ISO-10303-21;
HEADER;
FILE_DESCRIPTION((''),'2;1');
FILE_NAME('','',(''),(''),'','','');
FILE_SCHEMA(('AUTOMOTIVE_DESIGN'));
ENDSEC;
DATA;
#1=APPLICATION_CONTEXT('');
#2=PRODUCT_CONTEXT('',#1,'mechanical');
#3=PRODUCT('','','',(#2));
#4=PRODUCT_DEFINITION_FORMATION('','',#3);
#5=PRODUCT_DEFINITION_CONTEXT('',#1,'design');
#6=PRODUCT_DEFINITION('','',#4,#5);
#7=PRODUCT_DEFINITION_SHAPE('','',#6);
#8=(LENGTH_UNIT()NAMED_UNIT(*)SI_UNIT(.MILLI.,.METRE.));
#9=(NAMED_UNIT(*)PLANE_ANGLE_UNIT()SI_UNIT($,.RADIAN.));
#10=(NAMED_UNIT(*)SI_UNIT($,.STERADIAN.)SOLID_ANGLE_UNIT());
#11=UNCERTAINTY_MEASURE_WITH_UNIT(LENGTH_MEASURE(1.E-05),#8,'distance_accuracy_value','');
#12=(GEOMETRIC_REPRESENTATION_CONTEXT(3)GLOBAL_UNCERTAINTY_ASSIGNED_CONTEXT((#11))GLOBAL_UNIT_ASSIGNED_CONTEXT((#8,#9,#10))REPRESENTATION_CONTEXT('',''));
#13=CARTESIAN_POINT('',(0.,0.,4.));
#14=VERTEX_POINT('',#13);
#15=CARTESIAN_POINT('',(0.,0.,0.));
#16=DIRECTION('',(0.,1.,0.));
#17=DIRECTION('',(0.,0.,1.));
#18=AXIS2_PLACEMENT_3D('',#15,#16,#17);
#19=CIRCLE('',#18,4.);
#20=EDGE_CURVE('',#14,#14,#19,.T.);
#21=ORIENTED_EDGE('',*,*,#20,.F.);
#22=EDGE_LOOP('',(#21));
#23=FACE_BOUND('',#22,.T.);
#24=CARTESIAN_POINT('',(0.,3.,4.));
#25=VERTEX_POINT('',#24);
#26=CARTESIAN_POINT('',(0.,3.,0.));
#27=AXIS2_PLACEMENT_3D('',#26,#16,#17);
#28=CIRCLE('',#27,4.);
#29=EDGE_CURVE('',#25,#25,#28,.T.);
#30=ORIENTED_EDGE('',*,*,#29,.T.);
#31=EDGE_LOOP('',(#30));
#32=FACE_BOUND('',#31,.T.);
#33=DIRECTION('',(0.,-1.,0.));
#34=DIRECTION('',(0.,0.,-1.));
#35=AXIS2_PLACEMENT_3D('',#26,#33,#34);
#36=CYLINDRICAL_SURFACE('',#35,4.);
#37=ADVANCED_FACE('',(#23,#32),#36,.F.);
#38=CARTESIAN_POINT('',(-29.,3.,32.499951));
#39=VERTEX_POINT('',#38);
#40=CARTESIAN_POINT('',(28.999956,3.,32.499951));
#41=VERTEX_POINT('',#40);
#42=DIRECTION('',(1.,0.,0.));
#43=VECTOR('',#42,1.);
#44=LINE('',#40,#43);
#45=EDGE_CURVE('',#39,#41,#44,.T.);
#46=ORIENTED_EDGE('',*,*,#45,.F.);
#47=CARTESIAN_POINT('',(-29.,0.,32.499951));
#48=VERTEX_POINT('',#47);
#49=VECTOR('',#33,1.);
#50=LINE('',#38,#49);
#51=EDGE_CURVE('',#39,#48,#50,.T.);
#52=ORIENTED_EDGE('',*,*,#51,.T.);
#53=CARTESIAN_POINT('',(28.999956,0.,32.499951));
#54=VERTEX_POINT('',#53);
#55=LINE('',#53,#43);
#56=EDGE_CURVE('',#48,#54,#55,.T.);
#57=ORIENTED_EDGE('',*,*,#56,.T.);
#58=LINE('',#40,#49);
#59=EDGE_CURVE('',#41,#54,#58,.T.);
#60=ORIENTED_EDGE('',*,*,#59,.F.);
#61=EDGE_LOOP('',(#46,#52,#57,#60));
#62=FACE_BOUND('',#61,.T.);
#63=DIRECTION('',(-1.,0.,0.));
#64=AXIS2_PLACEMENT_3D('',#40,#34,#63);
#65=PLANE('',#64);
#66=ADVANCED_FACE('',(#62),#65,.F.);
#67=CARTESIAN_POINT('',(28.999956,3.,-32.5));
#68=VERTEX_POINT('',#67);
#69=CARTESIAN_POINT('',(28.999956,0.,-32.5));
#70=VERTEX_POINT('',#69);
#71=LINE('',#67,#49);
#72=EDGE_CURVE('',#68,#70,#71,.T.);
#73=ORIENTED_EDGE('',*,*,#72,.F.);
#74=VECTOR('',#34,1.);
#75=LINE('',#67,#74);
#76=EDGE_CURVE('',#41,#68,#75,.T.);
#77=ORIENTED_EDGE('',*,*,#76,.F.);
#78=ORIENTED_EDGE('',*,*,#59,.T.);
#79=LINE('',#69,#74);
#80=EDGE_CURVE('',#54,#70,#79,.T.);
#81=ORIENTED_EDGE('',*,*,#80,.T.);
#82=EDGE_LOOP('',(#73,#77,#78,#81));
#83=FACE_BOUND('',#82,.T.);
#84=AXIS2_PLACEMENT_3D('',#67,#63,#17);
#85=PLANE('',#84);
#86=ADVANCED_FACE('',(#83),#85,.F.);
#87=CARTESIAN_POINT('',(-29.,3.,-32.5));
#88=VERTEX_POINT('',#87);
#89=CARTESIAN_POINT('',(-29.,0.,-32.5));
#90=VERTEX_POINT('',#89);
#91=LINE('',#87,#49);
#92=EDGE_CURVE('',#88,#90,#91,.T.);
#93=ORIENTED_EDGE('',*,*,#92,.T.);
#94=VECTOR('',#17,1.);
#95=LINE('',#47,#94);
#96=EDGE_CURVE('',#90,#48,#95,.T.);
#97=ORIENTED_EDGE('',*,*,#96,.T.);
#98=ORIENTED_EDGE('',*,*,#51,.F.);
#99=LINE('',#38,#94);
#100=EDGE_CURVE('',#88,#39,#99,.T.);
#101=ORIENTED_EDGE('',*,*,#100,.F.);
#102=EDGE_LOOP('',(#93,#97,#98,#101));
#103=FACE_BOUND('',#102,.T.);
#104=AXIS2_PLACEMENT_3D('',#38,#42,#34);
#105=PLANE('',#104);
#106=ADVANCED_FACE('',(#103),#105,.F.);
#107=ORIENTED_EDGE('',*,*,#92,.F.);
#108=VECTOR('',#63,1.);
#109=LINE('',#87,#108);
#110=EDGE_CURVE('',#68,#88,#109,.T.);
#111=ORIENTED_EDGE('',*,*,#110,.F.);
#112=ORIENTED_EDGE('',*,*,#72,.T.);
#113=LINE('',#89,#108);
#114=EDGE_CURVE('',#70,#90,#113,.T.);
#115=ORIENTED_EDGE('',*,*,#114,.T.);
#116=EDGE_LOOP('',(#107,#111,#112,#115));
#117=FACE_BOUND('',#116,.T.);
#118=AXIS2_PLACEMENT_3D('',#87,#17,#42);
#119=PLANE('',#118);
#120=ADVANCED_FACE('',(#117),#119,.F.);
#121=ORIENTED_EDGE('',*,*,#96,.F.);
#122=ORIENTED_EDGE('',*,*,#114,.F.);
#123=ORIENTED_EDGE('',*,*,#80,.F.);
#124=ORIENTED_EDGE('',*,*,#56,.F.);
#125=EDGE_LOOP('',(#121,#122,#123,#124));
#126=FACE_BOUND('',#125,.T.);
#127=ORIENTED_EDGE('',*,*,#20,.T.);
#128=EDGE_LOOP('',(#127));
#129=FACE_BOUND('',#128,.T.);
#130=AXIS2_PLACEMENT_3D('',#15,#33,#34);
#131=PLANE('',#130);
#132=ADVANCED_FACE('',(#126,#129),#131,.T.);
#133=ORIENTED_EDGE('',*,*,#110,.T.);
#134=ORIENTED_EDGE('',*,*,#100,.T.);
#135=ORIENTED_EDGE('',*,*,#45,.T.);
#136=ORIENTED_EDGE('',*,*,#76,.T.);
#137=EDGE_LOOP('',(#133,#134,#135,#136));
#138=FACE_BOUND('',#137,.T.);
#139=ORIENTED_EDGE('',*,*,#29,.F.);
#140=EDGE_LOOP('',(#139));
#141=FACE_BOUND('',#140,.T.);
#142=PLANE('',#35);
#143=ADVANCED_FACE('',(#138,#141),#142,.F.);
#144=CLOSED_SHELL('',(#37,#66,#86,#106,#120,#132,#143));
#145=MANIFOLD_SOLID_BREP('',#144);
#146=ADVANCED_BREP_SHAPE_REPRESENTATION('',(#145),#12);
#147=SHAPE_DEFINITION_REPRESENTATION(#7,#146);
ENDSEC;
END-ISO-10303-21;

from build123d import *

# Parameters (mm, degrees)
SKETCH4_W           = 57.999956111
SKETCH4_H           = 64.999950815
SKETCH4_R           = 4
BOSS_EXTRUDE1_DEPTH = 3


with BuildPart() as part:
    # Sketch4 → Boss-Extrude1 (new body)
    with BuildSketch(Plane(origin=(0, 0, 0), x_dir=(1, 0, 0), z_dir=(0, 1, 0))):
        with Locations((-2.1945e-05, 2.4592e-05)):
            Rectangle(SKETCH4_W, SKETCH4_H)
        with Locations(Location((0, 0, 0), (0, 0, 270))):
            Circle(SKETCH4_R, mode=Mode.SUBTRACT)
    extrude(amount=BOSS_EXTRUDE1_DEPTH)


solid = part.part
